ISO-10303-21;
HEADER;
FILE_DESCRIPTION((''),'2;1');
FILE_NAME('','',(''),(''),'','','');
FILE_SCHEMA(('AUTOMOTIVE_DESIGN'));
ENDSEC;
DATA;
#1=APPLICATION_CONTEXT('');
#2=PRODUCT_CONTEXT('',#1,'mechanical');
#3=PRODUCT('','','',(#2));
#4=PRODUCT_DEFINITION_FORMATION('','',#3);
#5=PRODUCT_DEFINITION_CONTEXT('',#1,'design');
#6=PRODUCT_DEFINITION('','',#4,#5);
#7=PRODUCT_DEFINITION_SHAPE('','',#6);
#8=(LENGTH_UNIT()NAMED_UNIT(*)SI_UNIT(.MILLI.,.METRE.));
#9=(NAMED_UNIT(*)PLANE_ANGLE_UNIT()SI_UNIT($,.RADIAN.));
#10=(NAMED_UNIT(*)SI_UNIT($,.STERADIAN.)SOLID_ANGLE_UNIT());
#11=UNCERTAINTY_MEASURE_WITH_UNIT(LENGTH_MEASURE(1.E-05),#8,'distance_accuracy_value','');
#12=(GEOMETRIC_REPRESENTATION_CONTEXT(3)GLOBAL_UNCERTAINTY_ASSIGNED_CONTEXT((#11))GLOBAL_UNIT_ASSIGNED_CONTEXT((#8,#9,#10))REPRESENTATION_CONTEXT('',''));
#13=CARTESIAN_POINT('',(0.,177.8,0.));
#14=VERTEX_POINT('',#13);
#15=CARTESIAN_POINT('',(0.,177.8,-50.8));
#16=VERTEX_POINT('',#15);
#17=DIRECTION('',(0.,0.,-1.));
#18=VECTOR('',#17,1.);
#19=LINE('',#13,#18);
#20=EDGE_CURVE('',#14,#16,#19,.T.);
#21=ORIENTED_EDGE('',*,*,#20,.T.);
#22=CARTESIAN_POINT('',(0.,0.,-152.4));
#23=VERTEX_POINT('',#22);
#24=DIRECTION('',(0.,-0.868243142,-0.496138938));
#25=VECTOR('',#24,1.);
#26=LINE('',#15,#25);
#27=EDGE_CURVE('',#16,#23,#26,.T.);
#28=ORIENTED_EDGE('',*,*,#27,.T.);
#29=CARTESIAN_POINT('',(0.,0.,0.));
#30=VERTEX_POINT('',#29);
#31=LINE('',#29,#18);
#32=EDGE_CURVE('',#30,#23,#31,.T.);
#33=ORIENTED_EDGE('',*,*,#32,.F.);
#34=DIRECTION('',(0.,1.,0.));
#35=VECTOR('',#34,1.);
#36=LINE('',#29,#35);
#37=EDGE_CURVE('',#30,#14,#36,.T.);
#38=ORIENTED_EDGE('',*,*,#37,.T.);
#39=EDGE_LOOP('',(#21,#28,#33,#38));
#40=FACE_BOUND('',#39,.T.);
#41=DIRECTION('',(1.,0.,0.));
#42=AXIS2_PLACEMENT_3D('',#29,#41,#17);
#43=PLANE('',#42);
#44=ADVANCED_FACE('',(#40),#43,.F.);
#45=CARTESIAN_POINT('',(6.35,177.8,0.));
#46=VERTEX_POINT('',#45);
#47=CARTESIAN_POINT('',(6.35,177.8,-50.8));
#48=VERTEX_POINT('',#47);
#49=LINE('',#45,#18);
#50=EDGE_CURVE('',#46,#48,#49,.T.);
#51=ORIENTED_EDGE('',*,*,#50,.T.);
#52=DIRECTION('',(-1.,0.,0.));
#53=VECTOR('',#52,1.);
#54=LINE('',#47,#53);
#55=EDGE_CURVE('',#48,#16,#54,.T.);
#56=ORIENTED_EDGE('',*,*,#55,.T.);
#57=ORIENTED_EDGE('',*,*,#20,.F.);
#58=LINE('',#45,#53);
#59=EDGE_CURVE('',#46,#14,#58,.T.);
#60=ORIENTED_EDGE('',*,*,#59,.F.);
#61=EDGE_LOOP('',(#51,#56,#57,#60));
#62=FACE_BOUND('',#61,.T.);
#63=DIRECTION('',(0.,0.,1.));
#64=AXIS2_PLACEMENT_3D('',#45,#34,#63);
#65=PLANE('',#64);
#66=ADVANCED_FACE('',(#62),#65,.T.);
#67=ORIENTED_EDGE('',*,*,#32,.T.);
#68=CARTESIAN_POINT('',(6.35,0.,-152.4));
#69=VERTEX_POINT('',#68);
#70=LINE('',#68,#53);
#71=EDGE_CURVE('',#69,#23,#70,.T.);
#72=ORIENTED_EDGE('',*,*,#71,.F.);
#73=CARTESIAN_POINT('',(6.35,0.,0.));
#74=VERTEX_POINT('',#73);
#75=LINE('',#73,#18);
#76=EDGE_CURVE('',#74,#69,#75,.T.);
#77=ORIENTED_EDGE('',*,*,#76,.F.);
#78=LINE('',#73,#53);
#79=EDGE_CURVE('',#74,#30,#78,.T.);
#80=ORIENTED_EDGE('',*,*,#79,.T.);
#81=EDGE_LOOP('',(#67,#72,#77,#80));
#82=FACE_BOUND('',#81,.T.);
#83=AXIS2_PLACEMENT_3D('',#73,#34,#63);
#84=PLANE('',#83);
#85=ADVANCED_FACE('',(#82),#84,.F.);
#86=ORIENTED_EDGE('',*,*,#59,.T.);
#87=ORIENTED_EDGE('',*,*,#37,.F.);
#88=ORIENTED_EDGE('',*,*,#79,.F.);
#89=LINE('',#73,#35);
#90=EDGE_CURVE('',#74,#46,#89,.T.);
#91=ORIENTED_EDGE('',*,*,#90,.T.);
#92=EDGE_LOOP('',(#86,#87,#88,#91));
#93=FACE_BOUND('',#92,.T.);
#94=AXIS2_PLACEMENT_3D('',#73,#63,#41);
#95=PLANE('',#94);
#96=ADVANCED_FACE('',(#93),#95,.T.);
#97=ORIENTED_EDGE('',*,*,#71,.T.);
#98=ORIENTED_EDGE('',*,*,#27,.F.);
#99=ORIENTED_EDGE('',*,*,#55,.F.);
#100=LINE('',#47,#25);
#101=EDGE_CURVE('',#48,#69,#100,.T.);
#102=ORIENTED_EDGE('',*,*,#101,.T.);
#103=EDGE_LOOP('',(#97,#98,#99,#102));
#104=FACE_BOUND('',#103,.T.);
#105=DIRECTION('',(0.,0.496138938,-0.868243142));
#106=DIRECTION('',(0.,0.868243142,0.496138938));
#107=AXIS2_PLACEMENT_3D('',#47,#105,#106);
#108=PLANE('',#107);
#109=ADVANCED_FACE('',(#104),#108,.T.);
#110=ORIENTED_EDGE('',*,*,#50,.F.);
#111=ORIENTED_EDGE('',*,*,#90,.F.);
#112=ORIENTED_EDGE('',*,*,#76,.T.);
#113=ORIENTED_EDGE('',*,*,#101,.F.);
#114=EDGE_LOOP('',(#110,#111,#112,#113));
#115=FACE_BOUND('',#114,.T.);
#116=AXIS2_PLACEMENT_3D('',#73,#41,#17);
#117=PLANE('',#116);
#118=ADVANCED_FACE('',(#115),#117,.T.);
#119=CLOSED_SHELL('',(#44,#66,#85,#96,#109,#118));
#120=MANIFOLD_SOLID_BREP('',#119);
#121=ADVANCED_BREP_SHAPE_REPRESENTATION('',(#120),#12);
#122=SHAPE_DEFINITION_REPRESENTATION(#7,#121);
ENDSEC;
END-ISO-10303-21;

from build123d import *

# Parameters (mm, degrees)
BOSS_EXTRUDE1_DEPTH = 6.35


with BuildPart() as part:
    # Sketch1 → Boss-Extrude1 (new body)
    with BuildSketch(Plane(origin=(0, 0, 0), x_dir=(0, 0, -1), z_dir=(1, 0, 0))):
        Polygon((0, 0), (152.4, 0), (50.8, 177.8), (0, 177.8), align=None)
    extrude(amount=BOSS_EXTRUDE1_DEPTH)


solid = part.part
